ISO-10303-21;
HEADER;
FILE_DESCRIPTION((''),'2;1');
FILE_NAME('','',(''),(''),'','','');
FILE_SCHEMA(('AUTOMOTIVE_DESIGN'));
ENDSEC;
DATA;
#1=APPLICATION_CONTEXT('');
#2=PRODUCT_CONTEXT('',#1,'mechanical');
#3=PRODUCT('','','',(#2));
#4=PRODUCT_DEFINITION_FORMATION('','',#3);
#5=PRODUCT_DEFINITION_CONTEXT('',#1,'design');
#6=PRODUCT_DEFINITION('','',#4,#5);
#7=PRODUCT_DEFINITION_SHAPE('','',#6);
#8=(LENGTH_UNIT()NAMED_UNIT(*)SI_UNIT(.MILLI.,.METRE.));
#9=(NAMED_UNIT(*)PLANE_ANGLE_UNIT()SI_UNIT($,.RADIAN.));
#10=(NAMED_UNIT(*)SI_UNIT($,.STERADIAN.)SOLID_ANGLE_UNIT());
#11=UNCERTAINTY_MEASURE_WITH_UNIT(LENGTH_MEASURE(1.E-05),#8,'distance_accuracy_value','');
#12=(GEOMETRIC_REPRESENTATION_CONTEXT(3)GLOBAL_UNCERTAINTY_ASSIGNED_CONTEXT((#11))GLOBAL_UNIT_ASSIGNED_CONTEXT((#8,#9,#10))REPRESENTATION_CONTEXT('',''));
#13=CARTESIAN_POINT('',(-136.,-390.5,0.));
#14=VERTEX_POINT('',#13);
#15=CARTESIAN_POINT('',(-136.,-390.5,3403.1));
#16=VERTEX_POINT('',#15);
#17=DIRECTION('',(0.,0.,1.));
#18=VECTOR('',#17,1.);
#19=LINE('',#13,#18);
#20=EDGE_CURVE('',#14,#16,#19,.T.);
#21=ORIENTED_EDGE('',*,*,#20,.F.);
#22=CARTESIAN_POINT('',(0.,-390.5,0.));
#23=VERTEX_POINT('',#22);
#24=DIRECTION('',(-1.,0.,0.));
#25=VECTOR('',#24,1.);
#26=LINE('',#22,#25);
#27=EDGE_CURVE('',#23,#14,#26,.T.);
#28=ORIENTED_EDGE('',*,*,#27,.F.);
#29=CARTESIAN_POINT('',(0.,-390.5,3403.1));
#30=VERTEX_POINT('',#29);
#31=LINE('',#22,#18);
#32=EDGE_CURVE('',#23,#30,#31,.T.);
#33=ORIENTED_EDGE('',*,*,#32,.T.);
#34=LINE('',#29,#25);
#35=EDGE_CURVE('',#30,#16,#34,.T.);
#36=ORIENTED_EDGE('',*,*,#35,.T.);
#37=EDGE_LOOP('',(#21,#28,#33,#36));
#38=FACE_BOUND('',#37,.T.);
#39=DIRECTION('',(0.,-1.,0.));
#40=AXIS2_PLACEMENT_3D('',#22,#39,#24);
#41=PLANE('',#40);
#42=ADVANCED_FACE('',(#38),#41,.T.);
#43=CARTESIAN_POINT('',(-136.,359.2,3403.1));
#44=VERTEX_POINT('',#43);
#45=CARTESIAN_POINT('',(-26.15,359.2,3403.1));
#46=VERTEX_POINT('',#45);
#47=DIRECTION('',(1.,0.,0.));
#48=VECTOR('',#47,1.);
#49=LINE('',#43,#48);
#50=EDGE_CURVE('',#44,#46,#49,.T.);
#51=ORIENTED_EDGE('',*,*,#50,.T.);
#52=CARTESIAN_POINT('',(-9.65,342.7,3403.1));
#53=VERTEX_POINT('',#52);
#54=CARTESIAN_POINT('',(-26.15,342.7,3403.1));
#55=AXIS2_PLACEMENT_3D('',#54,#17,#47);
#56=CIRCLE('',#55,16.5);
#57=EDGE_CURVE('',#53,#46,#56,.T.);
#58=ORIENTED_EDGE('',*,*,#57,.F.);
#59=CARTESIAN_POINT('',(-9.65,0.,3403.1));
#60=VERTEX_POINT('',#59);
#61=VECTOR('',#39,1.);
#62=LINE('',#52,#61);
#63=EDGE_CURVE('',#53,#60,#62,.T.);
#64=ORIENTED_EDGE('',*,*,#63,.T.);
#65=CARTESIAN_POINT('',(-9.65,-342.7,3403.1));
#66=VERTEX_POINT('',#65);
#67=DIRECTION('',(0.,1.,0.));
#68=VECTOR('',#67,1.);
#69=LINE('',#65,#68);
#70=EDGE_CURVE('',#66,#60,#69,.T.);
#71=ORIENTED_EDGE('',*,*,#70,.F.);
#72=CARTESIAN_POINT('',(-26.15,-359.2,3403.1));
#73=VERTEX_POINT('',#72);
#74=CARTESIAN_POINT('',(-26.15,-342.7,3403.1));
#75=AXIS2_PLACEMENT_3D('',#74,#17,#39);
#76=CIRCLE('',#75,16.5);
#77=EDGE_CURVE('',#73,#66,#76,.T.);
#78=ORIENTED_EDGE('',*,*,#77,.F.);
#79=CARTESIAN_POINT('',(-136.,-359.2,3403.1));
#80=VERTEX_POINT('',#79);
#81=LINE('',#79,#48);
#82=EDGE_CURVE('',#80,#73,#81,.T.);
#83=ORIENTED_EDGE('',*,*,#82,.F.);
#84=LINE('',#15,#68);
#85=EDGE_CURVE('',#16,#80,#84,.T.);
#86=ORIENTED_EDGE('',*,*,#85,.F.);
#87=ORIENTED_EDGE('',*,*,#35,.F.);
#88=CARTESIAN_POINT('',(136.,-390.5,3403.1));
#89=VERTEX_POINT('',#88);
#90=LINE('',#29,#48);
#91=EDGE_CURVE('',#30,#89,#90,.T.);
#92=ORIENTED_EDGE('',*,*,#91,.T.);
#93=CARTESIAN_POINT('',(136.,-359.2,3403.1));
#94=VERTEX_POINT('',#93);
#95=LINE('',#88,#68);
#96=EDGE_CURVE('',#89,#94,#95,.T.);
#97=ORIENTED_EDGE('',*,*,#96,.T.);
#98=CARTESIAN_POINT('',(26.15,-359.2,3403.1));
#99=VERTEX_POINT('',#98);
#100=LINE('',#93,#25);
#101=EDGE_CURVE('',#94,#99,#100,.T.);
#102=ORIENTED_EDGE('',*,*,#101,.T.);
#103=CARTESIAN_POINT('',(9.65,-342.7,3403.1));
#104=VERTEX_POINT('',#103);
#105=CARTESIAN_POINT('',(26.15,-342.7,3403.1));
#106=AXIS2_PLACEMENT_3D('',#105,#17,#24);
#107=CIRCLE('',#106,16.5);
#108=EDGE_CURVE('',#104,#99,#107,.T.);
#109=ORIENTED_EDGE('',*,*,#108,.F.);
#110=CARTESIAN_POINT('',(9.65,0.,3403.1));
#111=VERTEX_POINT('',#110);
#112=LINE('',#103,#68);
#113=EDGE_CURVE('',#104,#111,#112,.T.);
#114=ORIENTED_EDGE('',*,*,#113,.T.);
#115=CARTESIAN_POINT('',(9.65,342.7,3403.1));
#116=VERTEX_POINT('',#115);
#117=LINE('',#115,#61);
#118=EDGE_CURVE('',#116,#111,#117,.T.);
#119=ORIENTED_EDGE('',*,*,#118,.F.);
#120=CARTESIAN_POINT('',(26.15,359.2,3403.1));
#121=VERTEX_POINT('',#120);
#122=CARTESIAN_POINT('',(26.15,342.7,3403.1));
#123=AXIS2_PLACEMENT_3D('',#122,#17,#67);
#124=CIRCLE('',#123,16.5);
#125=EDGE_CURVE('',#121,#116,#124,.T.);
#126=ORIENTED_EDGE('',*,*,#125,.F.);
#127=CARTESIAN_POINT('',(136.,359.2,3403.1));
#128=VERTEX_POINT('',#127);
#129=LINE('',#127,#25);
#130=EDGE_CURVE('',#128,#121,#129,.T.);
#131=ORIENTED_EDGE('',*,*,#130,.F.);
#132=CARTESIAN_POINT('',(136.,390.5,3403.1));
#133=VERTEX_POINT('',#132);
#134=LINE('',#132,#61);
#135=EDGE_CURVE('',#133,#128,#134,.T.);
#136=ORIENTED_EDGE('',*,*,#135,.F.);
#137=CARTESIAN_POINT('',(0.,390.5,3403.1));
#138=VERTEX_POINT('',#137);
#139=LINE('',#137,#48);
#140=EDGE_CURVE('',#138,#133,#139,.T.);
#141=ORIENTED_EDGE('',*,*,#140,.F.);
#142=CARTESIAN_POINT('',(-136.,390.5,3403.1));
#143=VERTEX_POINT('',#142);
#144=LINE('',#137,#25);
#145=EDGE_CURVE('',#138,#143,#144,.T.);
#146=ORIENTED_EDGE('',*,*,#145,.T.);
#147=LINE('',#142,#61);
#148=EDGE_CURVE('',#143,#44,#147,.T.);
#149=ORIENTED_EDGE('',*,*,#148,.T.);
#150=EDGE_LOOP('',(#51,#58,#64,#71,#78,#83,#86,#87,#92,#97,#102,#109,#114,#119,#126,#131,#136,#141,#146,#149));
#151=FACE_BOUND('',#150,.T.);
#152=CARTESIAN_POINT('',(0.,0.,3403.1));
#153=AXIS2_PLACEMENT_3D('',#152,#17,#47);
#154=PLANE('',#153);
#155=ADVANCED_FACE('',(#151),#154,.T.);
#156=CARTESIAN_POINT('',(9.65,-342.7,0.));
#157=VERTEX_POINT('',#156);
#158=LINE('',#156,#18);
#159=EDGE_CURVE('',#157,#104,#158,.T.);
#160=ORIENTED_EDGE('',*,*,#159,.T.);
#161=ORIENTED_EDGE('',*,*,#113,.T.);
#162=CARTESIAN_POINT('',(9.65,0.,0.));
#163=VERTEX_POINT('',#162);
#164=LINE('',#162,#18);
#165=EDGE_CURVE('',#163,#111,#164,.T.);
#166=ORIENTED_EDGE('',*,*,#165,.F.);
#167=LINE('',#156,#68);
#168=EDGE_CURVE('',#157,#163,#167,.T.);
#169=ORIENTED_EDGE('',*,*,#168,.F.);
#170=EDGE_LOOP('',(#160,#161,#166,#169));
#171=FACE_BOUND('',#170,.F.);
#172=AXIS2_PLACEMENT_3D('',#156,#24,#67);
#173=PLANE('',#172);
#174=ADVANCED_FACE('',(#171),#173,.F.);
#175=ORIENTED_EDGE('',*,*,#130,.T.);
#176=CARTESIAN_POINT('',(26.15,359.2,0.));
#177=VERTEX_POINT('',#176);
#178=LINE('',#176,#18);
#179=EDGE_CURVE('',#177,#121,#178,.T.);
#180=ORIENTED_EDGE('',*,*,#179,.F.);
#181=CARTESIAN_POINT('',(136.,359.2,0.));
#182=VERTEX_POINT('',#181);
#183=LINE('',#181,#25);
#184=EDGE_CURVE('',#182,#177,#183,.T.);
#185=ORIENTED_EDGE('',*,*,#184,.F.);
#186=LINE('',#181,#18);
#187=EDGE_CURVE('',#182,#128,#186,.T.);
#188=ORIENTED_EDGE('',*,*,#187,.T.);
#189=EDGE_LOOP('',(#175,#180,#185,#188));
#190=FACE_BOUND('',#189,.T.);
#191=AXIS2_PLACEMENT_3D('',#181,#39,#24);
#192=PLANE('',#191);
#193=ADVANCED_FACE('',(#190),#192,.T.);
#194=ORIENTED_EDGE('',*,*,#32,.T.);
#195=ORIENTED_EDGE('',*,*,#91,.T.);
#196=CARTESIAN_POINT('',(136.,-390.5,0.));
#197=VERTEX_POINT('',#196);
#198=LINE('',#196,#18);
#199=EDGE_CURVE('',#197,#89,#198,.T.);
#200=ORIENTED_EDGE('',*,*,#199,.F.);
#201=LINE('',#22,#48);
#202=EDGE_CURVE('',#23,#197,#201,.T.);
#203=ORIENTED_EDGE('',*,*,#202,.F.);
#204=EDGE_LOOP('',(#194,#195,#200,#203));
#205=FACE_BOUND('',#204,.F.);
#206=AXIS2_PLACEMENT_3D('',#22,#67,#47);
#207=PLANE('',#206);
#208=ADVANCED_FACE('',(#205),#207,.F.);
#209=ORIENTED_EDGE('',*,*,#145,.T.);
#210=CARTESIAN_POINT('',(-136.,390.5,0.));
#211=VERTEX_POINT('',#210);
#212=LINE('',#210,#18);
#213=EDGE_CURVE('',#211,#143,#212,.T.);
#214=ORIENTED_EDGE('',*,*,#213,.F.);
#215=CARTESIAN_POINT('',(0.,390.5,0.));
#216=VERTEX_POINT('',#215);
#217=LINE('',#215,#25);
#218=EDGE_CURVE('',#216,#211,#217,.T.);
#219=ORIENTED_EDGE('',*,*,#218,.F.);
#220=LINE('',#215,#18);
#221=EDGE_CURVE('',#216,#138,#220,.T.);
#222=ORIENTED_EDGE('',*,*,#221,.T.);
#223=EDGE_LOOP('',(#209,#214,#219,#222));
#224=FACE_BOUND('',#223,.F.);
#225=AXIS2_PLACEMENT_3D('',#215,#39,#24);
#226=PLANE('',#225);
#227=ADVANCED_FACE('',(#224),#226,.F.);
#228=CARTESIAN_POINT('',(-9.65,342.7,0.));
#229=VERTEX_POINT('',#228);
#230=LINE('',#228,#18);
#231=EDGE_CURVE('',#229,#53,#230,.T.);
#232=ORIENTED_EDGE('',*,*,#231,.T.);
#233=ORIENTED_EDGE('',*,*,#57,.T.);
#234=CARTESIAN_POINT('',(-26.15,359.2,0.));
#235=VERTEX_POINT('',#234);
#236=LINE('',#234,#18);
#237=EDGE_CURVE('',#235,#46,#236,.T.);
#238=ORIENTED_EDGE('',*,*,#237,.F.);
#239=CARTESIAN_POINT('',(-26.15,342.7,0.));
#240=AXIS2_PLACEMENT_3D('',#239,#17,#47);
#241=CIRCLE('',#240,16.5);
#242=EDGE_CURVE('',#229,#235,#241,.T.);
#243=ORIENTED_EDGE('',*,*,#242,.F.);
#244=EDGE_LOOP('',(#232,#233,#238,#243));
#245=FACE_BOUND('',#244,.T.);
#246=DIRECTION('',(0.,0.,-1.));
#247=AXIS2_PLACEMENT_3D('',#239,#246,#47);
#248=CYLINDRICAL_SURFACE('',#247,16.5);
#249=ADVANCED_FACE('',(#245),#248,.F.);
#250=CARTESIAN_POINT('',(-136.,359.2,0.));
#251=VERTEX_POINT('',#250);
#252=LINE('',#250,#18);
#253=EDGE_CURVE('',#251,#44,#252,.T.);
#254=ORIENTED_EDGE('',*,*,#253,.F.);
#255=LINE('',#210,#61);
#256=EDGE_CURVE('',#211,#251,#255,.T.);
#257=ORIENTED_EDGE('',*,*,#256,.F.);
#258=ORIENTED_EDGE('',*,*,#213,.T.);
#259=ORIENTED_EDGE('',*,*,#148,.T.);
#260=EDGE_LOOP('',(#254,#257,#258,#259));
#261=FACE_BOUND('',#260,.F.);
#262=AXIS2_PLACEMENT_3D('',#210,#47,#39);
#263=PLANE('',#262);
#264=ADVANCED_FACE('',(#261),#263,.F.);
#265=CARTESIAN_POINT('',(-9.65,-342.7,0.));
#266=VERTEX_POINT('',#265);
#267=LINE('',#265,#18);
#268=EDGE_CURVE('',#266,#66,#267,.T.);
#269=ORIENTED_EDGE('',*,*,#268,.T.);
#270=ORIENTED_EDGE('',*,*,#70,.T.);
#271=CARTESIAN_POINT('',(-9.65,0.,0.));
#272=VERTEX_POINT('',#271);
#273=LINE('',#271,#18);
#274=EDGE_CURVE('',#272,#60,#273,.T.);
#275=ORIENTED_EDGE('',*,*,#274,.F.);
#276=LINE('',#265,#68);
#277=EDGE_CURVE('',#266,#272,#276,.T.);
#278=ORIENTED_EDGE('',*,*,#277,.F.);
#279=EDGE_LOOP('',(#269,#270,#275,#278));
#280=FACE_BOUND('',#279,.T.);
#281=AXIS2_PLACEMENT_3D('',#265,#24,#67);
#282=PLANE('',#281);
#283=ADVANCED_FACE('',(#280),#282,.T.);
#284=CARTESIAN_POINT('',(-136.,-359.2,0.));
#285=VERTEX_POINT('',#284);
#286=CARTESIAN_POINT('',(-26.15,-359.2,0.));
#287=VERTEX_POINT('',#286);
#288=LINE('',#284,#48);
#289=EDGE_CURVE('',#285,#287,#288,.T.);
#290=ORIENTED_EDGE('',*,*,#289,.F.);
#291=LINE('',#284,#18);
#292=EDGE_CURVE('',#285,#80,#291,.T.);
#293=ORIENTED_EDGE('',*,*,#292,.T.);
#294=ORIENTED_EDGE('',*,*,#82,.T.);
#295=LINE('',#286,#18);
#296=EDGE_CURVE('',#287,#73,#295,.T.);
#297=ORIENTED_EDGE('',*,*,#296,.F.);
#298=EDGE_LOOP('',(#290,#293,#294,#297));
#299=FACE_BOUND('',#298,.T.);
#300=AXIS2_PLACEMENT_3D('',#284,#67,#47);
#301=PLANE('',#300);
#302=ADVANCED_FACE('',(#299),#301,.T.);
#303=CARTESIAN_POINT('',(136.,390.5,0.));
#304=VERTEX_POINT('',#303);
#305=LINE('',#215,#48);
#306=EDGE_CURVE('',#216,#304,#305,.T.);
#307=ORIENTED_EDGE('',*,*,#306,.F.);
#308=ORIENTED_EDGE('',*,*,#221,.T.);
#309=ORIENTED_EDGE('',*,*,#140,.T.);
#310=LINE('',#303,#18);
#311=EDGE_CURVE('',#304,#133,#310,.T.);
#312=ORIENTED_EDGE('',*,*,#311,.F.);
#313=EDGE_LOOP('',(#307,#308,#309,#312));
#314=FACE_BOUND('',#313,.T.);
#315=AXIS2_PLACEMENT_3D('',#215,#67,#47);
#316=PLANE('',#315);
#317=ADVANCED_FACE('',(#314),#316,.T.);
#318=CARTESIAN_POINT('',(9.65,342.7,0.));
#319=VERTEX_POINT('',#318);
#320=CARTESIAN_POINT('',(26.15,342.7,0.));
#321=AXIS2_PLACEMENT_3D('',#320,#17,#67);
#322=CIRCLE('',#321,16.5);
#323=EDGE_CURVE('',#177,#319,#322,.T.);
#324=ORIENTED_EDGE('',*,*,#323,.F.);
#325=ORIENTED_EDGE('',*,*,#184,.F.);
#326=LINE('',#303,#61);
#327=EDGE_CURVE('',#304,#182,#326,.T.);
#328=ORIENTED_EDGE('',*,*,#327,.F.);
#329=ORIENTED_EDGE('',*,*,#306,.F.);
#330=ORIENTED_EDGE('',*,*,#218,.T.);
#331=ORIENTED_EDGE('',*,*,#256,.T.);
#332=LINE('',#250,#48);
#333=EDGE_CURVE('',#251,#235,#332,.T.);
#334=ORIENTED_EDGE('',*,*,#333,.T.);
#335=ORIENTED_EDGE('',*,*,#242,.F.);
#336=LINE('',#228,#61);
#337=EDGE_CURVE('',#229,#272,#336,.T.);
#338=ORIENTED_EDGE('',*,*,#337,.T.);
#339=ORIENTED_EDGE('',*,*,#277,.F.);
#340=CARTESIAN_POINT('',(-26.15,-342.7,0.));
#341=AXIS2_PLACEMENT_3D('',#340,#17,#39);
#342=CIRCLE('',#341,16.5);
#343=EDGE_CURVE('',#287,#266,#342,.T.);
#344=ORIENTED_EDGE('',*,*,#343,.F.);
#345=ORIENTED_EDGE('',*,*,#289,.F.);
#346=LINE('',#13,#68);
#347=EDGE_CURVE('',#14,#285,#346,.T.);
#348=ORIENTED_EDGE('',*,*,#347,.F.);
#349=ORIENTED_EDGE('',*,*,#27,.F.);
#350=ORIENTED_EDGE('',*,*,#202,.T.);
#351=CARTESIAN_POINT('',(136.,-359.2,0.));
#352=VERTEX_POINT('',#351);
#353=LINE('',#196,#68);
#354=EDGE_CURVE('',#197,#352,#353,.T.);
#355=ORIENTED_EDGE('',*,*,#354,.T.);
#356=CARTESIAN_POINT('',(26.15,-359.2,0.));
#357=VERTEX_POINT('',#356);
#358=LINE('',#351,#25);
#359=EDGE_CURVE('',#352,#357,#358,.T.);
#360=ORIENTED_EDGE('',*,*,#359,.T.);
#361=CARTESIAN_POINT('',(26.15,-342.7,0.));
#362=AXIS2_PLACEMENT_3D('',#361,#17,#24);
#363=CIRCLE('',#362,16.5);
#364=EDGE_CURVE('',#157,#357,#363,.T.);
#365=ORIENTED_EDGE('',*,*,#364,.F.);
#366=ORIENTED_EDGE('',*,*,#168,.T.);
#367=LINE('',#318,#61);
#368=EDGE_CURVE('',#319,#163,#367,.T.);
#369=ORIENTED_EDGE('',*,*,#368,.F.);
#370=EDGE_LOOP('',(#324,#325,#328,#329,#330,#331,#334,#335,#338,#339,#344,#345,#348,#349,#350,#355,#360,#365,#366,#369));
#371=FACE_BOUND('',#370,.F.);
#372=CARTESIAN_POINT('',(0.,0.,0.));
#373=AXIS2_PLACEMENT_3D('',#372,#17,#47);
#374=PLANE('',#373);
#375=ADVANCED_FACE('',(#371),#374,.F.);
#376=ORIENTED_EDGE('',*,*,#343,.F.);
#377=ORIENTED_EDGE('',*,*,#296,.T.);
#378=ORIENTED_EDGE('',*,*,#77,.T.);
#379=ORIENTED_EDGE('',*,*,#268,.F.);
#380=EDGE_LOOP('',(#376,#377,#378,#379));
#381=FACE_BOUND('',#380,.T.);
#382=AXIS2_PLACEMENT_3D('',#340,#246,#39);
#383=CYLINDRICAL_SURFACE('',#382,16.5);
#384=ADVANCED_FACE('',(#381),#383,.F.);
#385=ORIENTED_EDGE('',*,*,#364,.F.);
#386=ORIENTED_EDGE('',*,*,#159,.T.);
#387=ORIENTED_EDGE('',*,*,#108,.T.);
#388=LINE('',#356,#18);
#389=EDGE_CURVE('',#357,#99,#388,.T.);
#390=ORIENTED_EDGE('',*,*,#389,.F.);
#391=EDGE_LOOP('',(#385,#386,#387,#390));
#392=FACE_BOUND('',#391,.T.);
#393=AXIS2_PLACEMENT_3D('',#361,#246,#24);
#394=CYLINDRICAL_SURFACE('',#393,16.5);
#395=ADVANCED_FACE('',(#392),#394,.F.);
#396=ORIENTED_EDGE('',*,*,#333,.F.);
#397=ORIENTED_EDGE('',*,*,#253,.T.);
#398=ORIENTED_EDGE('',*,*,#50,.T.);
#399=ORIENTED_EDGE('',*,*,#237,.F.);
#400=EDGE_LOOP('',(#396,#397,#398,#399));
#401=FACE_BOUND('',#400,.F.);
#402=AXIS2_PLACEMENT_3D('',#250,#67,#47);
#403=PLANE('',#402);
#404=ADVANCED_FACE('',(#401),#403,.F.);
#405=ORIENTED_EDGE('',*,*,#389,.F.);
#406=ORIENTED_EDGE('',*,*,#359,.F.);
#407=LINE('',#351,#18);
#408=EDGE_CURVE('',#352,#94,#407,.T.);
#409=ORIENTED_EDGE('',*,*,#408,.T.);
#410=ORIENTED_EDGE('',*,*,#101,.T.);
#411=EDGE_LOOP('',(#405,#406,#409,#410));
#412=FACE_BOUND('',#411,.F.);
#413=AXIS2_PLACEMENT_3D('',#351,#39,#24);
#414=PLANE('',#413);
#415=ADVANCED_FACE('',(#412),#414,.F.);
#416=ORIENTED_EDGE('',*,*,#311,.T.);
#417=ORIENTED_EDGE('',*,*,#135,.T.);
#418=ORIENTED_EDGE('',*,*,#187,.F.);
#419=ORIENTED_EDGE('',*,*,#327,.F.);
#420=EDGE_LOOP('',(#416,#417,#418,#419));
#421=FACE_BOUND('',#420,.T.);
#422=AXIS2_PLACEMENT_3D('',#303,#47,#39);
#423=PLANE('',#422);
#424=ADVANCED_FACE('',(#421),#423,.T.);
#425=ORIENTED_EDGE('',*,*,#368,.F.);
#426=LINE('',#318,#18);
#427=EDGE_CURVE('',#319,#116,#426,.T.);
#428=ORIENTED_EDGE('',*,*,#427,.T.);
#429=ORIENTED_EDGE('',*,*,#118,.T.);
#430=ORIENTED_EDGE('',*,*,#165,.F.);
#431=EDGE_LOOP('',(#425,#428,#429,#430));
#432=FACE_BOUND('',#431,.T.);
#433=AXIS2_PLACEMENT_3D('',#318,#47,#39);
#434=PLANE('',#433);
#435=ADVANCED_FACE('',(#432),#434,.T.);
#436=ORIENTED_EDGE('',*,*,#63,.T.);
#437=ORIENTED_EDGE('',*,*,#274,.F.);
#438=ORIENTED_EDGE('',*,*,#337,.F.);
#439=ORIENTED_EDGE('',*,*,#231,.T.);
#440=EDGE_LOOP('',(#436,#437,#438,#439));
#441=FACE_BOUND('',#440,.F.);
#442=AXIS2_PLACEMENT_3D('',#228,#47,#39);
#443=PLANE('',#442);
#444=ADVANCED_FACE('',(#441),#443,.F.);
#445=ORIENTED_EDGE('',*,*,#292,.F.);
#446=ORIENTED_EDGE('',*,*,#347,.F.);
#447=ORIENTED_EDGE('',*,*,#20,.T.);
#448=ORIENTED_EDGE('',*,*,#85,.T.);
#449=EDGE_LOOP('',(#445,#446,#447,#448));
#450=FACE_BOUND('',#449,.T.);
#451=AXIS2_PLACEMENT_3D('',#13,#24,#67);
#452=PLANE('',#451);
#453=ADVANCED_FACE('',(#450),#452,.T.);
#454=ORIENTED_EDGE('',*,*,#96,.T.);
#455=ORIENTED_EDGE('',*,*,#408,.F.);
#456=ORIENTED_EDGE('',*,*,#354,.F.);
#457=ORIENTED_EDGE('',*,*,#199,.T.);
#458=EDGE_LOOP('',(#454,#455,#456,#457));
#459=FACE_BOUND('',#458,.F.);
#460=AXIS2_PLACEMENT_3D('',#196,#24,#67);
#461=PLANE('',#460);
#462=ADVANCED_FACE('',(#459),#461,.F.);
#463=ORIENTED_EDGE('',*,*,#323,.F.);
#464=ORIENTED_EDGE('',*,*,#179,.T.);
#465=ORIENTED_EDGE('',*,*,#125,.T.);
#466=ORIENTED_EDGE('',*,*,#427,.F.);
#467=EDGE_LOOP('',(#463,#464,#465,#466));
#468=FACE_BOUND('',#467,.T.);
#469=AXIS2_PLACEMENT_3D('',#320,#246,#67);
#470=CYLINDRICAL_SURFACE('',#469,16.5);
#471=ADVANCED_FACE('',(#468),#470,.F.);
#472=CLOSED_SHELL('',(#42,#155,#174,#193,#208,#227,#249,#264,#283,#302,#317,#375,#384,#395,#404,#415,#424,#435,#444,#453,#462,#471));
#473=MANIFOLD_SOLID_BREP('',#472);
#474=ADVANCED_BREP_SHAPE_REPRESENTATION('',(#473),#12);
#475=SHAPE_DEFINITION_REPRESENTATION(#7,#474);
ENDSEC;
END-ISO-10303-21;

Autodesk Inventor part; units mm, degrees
ref_plane "YZ Plane" through (0, 0, 0) normal (1, 0, 0) x (0, 1, 0)
ref_plane "Start plane" through (0, 0, 0) normal (0, 0, 1) x (1, 0, 0)
ref_plane "End plane" through (0, 0, 3403.1) normal (0, 0, 1) x (1, 0, 0)
sketch "Sketch" plane through (0, 0, 0) normal (0, 0, 1) x (1, 0, 0)
  line L0 (-136, -390.5) -> (-136, -359.2)
  line L1 (-136, -359.2) -> (-26.15, -359.2)
  line L2 (-9.65, -342.7) -> (-9.65, 0)
  line L3 (-9.65, 0) -> (0, 0) construction
  line L4 (0, 0) -> (0, -390.5) construction
  line L5 (0, -390.5) -> (-136, -390.5)
  line L6 (-60, 0) -> (80, 0) construction
  line L7 (0, -60) -> (0, 80) construction
  line L8 (136, -390.5) -> (136, -359.2)
  line L9 (136, -359.2) -> (26.15, -359.2)
  line L10 (9.65, -342.7) -> (9.65, 0)
  line L11 (9.65, 0) -> (0, 0) construction
  line L12 (0, -390.5) -> (136, -390.5)
  line L13 (-136, 390.5) -> (-136, 359.2)
  line L14 (-136, 359.2) -> (-26.15, 359.2)
  line L15 (-9.65, 342.7) -> (-9.65, 0)
  line L16 (0, 390.5) -> (-136, 390.5)
  line L17 (136, 390.5) -> (136, 359.2)
  line L18 (136, 359.2) -> (26.15, 359.2)
  line L19 (0, 390.5) -> (136, 390.5)
  line L20 (9.65, 342.7) -> (9.65, 0)
  arc A0 (-9.65, 342.7) -> (-26.15, 359.2) centre (-26.15, 342.7) ccw
  arc A1 (26.15, 359.2) -> (9.65, 342.7) centre (26.15, 342.7) ccw
  arc A2 (9.65, -342.7) -> (26.15, -359.2) centre (26.15, -342.7) ccw
  arc A3 (-26.15, -359.2) -> (-9.65, -342.7) centre (-26.15, -342.7) ccw
  line L21 (0, 108) -> (0, -88) construction
  line L22 (-88, 0) -> (108, 0) construction
  point P0 (-9.65, -359.2)
  point P1 (9.65, -359.2)
  point P2 (-9.65, 359.2)
  point P3 (9.65, 359.2)
  dimension "d1" = 390.5
  dimension "d2" = 31.3
  dimension "d3" = 136
  dimension "d4" = 9.65
  dimension "d10" = 16.5
extrude "Body" add sketch "Sketch" along normal up to surface (3403.1 mm away) from surface at 0
sketch "Sketch4" plane through (0, 0, 0) normal (0, 0, 1) x (1, 0, 0)
  line L0 (0, 0) -> (10, 0)
ref_plane "Work Plane3" through (0, 0, 0) normal (0, -1, 0) x (1, 0, 0)
sketch "Sketch5" plane through (0, 0, 0) normal (0, -1, 0) x (1, 0, 0)
  line L0 (-2, 0) -> (12, 0) projected
  line L1 (-2, 3403.1) -> (12, 3403.1) projected
  dimension "d14" = 3403.1
equation "\"d1\" = 0.5 * G_H"
equation "\"d2\" = G_T1"
equation "\"d3\" = 0.5 * G_W"
equation "\"d4\" = 0.5 * G_T"
equation "\"d10\" = G_IR"
equation "\"d5\" = G_L"
equation "\"G_W\" = 272"
equation "\"G_H\" = 781"
equation "\"G_T\" = 19.3"
equation "\"G_T1\" = 31.3"
equation "\"G_IR\" = 16.5"
equation "\"G_L\" = d14"
equation "\"G_OFFSET_START\" = 0"
equation "\"G_OFFSET_END\" = 0"
equation "\"d12\" = G_OFFSET_END + B_L"
equation "\"B_L\" = 3403.1"
properties part number "AS 3679-1990 - 760 UB - 244 - 3403.1" material "Steel, Mild"
